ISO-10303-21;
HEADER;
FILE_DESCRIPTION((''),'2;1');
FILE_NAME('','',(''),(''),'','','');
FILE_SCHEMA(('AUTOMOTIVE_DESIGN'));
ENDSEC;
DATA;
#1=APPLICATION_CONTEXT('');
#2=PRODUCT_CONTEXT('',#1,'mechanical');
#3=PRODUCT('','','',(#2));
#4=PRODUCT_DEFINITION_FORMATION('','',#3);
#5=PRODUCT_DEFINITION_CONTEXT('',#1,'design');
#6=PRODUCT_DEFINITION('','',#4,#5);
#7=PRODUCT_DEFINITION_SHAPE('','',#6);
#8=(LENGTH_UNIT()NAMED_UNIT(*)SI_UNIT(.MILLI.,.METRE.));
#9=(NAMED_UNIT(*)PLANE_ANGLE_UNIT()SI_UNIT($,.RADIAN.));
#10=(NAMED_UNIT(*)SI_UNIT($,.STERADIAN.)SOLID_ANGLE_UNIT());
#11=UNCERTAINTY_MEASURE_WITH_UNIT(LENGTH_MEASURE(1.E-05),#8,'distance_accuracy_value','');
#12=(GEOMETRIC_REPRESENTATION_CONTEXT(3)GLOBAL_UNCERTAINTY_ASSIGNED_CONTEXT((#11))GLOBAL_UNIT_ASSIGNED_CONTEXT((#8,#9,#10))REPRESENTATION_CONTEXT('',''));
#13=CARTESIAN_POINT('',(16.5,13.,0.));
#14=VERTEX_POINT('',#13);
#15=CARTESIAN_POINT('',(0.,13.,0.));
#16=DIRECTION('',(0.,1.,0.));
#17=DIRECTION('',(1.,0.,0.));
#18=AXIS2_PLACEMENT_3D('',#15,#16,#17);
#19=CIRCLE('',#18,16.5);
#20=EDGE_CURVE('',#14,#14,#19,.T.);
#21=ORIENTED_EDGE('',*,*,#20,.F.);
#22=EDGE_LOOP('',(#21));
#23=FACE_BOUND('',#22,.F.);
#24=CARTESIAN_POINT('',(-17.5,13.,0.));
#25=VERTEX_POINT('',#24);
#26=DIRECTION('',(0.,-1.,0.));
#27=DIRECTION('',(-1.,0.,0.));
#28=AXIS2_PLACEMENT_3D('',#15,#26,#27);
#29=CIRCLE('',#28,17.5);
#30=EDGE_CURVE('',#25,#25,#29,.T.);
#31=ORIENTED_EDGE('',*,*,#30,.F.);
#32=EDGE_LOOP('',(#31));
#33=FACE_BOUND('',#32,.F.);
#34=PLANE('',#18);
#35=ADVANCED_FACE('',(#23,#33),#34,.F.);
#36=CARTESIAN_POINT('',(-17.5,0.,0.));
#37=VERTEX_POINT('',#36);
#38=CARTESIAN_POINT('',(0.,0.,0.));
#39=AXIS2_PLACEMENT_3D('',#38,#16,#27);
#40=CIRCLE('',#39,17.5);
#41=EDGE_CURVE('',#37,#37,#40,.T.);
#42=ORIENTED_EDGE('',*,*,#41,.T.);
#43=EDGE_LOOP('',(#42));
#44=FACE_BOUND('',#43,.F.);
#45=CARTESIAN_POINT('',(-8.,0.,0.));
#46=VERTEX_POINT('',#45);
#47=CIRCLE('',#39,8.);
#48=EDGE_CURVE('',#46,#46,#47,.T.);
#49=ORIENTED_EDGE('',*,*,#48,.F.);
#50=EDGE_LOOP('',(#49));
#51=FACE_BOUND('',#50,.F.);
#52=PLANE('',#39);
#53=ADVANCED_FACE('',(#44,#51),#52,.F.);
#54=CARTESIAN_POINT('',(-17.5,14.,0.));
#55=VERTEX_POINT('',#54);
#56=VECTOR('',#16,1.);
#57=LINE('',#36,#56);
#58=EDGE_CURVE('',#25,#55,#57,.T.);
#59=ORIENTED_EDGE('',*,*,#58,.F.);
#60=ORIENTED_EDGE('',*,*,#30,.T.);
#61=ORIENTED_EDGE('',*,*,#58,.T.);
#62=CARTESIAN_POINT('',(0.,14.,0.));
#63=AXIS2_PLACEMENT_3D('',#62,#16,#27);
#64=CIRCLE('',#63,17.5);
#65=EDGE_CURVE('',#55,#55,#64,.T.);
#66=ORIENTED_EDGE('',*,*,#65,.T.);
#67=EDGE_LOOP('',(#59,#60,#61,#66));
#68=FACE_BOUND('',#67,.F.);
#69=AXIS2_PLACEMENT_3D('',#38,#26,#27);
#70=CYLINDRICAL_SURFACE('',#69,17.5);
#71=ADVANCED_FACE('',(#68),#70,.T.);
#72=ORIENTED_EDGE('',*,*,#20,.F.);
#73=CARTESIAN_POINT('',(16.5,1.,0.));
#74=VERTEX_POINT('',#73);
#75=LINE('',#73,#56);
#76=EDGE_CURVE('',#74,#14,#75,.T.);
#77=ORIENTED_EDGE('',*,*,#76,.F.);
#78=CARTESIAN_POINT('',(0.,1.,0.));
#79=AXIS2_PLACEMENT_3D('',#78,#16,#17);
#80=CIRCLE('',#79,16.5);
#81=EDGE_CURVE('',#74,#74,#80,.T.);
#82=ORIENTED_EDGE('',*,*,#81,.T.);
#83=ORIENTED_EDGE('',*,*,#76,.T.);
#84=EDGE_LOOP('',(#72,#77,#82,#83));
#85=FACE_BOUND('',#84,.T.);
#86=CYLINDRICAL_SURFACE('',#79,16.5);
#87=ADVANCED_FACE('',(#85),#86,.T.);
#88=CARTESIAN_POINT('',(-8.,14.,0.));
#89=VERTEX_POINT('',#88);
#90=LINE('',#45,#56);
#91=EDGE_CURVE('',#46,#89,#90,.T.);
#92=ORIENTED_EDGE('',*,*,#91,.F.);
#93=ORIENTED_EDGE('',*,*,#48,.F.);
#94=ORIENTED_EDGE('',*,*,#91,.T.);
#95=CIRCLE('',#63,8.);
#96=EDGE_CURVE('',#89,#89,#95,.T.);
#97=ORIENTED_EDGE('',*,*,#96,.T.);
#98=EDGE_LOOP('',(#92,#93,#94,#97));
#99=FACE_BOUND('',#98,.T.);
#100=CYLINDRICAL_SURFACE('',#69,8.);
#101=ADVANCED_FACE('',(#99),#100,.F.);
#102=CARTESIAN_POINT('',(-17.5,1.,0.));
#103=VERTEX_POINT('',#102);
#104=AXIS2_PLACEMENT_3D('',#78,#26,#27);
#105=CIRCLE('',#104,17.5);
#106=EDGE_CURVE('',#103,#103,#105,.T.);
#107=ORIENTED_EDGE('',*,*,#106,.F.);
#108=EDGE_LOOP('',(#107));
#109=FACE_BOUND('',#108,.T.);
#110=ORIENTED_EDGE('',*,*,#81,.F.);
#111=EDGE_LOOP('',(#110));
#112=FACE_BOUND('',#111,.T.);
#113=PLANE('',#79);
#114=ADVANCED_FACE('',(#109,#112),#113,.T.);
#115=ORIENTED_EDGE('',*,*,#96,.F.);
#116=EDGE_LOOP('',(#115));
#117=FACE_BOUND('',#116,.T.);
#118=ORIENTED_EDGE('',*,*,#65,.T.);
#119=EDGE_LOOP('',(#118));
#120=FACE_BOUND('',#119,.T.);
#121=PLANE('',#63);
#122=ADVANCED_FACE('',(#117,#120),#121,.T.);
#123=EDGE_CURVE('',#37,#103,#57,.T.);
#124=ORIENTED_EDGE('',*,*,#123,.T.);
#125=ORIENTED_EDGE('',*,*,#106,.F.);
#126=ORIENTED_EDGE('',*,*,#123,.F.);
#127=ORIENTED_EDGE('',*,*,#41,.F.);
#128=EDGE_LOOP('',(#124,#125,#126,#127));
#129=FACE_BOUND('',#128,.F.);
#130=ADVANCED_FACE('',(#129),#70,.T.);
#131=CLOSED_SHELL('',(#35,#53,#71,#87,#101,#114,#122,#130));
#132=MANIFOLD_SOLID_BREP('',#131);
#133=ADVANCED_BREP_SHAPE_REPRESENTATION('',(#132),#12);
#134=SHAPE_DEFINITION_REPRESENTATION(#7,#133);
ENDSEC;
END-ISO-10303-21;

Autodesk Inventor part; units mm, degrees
ref_plane "YZ Plane" through (0, 0, 0) normal (1, 0, 0) x (0, 1, 0)
ref_plane "XZ Plane" through (0, 0, 0) normal (0, 1, 0) x (-1, 0, 0)
ref_plane "XY Plane" through (0, 0, 0) normal (0, 0, 1) x (1, 0, 0)
sketch "Эскиз1" plane through (0, 0, 0) normal (0, 1, 0) x (-1, 0, 0)
  circle A0 centre (0, 0) radius 8
  circle A1 centre (0, 0) radius 17.5
  dimension "d0" = 16
  dimension "d1" = 35
extrude "Выдавливание1" add sketch "Эскиз1" along normal blind 14
sketch "Эскиз2" plane through (0, 0, 0) normal (0, 0, 1) x (1, 0, 0)
  line L0 (0, 0) -> (0, 14)
  line L1 (17.5, 14) -> (-17.5, 14) projected
  line L2 (0, 14) -> (17.5, 14)
  line L3 (17.5, 0) -> (17.5, 14) projected
  line L4 (17.5, 14) -> (17.5, 13)
  line L5 (17.5, 13) -> (16.5, 13)
  line L6 (17.5, 0) -> (0, 0)
  line L7 (17.5, 0) -> (-17.5, 0) projected
  line L8 (17.5, 0) -> (17.5, 1)
  line L9 (17.5, 1) -> (16.5, 1)
  line L10 (16.5, 1) -> (16.5, 13)
  dimension "d4" = 1
  dimension "d5" = 1
  dimension "d6" = 1
  dimension "d7" = 1
revolve "Вращение1" cut sketch "Эскиз2" angle 360 about axis through (0, 0, 0) along (0, 1, 0) keep common part contours L0 L1 L3 L5 L10 L9 L6
properties part number "Подшипник"
